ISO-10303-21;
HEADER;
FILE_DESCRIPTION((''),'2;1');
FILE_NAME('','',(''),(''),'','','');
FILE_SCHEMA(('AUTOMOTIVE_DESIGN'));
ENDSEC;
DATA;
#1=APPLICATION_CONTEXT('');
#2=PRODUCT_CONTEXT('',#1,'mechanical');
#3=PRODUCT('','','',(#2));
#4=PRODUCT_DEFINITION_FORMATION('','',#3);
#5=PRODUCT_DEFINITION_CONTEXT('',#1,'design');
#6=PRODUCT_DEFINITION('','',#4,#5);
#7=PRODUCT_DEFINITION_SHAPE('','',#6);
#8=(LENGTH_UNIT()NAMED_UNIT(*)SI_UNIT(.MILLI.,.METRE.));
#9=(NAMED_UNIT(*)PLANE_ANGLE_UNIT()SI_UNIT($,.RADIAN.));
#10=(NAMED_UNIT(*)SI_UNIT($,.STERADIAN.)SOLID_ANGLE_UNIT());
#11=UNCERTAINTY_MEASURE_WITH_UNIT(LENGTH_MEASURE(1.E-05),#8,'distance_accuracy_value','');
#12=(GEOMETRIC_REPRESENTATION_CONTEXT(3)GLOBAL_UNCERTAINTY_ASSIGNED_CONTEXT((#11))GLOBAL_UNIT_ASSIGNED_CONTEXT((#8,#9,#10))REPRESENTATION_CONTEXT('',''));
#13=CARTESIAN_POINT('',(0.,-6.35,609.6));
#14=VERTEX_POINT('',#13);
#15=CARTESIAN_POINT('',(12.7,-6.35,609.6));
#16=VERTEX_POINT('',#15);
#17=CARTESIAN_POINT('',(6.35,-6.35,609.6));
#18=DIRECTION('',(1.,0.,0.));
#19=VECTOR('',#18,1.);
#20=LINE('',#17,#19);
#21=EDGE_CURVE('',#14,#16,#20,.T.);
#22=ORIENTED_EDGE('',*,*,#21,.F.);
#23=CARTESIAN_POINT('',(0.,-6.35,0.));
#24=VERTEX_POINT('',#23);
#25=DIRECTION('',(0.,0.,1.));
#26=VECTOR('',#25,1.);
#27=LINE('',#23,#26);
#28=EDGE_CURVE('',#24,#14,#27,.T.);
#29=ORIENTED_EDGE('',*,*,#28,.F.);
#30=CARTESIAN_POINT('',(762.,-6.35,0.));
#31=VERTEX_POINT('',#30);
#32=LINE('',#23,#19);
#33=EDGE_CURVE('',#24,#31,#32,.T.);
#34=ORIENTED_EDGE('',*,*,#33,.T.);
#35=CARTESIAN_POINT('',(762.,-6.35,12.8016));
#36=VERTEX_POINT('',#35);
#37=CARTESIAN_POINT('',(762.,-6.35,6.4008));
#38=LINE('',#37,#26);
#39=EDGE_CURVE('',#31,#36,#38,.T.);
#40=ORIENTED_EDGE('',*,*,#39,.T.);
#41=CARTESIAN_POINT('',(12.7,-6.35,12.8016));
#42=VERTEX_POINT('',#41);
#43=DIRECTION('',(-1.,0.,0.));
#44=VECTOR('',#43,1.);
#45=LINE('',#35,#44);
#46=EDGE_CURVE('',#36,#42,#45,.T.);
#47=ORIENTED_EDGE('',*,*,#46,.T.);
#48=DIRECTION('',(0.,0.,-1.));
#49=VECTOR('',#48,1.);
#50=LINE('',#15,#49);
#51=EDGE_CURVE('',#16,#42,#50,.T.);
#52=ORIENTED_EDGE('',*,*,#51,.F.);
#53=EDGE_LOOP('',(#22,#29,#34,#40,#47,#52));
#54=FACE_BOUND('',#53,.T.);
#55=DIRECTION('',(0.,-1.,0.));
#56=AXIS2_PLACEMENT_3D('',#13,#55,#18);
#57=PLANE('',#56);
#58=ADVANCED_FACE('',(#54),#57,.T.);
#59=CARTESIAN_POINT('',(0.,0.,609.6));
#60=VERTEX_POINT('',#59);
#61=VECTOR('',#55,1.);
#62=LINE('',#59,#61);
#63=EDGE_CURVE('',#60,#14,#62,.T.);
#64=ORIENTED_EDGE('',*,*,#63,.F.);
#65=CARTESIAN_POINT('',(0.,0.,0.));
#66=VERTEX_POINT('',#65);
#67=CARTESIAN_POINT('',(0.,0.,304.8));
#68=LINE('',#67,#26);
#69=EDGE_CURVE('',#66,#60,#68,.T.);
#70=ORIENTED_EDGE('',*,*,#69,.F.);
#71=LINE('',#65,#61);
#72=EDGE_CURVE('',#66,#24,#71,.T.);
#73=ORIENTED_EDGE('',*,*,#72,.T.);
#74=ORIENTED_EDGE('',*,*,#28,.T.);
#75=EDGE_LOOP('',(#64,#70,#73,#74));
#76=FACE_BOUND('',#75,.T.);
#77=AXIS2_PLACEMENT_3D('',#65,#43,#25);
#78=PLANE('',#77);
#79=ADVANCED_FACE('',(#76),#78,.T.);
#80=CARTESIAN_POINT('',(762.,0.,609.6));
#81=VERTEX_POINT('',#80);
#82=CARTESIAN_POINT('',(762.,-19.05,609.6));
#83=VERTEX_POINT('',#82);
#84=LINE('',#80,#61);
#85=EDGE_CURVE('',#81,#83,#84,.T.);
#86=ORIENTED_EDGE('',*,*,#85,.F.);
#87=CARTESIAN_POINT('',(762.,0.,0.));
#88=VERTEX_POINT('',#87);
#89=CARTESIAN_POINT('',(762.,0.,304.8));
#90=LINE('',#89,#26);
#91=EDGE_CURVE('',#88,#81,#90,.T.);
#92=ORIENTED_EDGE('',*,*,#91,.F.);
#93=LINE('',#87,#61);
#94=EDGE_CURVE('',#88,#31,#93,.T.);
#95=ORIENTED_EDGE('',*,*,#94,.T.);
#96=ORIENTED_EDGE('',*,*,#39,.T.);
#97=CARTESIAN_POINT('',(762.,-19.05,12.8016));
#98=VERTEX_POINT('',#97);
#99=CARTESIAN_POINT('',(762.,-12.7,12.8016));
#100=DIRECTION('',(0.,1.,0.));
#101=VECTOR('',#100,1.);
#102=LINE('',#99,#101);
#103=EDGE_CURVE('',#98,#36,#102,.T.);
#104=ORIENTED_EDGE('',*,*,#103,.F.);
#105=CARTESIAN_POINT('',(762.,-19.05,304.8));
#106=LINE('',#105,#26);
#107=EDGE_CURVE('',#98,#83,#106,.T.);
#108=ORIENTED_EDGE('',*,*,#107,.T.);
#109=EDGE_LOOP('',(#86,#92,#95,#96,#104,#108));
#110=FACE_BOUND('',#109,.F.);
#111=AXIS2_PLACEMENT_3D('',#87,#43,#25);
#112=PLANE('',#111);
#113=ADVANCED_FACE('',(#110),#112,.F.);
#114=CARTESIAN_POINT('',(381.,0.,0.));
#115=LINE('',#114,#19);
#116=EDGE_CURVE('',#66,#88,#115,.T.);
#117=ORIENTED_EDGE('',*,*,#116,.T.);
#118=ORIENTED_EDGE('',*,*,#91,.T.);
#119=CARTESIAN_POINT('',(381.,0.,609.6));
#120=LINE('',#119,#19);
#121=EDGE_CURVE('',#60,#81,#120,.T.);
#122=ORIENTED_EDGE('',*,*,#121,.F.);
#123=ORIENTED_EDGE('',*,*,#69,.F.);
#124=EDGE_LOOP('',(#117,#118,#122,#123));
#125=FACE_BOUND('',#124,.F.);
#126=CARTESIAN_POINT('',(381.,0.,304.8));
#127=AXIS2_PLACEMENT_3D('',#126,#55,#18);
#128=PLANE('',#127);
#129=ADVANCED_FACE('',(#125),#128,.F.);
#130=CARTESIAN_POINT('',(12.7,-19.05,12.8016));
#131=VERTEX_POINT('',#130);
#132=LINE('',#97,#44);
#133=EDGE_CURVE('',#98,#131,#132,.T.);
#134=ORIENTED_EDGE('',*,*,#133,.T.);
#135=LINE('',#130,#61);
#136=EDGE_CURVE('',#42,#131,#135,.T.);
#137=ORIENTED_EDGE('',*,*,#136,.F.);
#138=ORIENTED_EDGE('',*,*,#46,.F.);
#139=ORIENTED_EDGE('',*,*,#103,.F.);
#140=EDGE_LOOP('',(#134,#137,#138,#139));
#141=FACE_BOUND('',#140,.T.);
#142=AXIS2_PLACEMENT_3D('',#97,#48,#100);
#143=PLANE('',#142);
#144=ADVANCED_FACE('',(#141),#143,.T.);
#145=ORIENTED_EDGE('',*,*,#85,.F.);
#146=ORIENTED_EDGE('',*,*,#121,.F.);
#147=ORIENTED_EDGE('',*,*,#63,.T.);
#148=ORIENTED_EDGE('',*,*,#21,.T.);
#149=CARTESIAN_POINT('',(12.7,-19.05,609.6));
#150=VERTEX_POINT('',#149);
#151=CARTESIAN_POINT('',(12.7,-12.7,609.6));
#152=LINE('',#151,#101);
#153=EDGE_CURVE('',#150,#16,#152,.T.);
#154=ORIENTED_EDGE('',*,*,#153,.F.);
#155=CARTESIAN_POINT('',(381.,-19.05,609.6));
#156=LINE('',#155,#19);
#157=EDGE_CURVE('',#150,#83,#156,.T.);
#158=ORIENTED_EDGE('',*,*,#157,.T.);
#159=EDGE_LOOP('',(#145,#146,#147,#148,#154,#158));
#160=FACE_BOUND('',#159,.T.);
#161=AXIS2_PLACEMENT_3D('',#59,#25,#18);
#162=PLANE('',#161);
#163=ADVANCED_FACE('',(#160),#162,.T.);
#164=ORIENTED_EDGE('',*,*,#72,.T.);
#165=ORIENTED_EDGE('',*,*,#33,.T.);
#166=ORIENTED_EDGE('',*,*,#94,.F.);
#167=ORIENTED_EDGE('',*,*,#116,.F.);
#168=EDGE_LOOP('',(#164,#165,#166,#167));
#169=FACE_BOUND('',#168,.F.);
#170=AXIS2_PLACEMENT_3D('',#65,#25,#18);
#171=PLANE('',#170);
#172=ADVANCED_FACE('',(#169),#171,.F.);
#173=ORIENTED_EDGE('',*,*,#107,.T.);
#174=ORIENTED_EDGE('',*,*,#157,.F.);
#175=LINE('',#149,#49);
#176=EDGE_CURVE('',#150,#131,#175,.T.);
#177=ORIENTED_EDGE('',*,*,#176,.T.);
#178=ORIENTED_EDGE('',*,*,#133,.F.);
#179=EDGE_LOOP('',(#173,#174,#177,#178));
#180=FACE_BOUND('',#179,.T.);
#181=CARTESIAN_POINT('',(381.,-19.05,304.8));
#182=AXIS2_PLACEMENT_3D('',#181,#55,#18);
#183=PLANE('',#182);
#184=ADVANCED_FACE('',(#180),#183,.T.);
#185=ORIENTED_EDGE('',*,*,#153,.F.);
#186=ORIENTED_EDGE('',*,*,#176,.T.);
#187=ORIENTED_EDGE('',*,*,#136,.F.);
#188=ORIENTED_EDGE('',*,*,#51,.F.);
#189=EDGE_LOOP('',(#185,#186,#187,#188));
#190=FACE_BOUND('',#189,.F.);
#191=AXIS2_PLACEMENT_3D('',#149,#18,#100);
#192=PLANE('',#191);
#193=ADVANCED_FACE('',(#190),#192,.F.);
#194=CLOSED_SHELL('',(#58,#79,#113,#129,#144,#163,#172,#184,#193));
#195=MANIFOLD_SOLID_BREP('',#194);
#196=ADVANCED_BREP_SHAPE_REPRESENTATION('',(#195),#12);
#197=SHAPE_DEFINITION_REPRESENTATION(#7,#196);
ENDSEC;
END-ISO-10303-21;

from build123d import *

# Parameters (mm, degrees)
F0_W     = 762
F0_H     = 609.6
F1_DEPTH = 19.05
F2_W     = 12.7
F2_H     = 12.8016
F3_DEPTH = 762.001
F4_W     = 12.7
F4_H     = 12.7
F5_DEPTH = 609.601


with BuildPart() as f1:
    # F0 (on Front) → F1 (new body)
    with BuildSketch(Plane.XZ):
        with Locations((381, 304.8)):
            Rectangle(F0_W, F0_H)
    extrude(amount=F1_DEPTH)

    # F2 (on face) → F3 (cut, through all)
    with BuildSketch(Plane.YZ.offset(762)):
        with Locations((-12.7, 6.4008)):
            Rectangle(F2_W, F2_H)
    extrude(amount=-F3_DEPTH, mode=Mode.SUBTRACT)

    # F4 (on face) → F5 (cut, through all)
    with BuildSketch(Plane.XY.offset(609.6)):
        with Locations((6.35, -12.7)):
            Rectangle(F4_W, F4_H)
    extrude(amount=-F5_DEPTH, mode=Mode.SUBTRACT)


solid = f1.part
